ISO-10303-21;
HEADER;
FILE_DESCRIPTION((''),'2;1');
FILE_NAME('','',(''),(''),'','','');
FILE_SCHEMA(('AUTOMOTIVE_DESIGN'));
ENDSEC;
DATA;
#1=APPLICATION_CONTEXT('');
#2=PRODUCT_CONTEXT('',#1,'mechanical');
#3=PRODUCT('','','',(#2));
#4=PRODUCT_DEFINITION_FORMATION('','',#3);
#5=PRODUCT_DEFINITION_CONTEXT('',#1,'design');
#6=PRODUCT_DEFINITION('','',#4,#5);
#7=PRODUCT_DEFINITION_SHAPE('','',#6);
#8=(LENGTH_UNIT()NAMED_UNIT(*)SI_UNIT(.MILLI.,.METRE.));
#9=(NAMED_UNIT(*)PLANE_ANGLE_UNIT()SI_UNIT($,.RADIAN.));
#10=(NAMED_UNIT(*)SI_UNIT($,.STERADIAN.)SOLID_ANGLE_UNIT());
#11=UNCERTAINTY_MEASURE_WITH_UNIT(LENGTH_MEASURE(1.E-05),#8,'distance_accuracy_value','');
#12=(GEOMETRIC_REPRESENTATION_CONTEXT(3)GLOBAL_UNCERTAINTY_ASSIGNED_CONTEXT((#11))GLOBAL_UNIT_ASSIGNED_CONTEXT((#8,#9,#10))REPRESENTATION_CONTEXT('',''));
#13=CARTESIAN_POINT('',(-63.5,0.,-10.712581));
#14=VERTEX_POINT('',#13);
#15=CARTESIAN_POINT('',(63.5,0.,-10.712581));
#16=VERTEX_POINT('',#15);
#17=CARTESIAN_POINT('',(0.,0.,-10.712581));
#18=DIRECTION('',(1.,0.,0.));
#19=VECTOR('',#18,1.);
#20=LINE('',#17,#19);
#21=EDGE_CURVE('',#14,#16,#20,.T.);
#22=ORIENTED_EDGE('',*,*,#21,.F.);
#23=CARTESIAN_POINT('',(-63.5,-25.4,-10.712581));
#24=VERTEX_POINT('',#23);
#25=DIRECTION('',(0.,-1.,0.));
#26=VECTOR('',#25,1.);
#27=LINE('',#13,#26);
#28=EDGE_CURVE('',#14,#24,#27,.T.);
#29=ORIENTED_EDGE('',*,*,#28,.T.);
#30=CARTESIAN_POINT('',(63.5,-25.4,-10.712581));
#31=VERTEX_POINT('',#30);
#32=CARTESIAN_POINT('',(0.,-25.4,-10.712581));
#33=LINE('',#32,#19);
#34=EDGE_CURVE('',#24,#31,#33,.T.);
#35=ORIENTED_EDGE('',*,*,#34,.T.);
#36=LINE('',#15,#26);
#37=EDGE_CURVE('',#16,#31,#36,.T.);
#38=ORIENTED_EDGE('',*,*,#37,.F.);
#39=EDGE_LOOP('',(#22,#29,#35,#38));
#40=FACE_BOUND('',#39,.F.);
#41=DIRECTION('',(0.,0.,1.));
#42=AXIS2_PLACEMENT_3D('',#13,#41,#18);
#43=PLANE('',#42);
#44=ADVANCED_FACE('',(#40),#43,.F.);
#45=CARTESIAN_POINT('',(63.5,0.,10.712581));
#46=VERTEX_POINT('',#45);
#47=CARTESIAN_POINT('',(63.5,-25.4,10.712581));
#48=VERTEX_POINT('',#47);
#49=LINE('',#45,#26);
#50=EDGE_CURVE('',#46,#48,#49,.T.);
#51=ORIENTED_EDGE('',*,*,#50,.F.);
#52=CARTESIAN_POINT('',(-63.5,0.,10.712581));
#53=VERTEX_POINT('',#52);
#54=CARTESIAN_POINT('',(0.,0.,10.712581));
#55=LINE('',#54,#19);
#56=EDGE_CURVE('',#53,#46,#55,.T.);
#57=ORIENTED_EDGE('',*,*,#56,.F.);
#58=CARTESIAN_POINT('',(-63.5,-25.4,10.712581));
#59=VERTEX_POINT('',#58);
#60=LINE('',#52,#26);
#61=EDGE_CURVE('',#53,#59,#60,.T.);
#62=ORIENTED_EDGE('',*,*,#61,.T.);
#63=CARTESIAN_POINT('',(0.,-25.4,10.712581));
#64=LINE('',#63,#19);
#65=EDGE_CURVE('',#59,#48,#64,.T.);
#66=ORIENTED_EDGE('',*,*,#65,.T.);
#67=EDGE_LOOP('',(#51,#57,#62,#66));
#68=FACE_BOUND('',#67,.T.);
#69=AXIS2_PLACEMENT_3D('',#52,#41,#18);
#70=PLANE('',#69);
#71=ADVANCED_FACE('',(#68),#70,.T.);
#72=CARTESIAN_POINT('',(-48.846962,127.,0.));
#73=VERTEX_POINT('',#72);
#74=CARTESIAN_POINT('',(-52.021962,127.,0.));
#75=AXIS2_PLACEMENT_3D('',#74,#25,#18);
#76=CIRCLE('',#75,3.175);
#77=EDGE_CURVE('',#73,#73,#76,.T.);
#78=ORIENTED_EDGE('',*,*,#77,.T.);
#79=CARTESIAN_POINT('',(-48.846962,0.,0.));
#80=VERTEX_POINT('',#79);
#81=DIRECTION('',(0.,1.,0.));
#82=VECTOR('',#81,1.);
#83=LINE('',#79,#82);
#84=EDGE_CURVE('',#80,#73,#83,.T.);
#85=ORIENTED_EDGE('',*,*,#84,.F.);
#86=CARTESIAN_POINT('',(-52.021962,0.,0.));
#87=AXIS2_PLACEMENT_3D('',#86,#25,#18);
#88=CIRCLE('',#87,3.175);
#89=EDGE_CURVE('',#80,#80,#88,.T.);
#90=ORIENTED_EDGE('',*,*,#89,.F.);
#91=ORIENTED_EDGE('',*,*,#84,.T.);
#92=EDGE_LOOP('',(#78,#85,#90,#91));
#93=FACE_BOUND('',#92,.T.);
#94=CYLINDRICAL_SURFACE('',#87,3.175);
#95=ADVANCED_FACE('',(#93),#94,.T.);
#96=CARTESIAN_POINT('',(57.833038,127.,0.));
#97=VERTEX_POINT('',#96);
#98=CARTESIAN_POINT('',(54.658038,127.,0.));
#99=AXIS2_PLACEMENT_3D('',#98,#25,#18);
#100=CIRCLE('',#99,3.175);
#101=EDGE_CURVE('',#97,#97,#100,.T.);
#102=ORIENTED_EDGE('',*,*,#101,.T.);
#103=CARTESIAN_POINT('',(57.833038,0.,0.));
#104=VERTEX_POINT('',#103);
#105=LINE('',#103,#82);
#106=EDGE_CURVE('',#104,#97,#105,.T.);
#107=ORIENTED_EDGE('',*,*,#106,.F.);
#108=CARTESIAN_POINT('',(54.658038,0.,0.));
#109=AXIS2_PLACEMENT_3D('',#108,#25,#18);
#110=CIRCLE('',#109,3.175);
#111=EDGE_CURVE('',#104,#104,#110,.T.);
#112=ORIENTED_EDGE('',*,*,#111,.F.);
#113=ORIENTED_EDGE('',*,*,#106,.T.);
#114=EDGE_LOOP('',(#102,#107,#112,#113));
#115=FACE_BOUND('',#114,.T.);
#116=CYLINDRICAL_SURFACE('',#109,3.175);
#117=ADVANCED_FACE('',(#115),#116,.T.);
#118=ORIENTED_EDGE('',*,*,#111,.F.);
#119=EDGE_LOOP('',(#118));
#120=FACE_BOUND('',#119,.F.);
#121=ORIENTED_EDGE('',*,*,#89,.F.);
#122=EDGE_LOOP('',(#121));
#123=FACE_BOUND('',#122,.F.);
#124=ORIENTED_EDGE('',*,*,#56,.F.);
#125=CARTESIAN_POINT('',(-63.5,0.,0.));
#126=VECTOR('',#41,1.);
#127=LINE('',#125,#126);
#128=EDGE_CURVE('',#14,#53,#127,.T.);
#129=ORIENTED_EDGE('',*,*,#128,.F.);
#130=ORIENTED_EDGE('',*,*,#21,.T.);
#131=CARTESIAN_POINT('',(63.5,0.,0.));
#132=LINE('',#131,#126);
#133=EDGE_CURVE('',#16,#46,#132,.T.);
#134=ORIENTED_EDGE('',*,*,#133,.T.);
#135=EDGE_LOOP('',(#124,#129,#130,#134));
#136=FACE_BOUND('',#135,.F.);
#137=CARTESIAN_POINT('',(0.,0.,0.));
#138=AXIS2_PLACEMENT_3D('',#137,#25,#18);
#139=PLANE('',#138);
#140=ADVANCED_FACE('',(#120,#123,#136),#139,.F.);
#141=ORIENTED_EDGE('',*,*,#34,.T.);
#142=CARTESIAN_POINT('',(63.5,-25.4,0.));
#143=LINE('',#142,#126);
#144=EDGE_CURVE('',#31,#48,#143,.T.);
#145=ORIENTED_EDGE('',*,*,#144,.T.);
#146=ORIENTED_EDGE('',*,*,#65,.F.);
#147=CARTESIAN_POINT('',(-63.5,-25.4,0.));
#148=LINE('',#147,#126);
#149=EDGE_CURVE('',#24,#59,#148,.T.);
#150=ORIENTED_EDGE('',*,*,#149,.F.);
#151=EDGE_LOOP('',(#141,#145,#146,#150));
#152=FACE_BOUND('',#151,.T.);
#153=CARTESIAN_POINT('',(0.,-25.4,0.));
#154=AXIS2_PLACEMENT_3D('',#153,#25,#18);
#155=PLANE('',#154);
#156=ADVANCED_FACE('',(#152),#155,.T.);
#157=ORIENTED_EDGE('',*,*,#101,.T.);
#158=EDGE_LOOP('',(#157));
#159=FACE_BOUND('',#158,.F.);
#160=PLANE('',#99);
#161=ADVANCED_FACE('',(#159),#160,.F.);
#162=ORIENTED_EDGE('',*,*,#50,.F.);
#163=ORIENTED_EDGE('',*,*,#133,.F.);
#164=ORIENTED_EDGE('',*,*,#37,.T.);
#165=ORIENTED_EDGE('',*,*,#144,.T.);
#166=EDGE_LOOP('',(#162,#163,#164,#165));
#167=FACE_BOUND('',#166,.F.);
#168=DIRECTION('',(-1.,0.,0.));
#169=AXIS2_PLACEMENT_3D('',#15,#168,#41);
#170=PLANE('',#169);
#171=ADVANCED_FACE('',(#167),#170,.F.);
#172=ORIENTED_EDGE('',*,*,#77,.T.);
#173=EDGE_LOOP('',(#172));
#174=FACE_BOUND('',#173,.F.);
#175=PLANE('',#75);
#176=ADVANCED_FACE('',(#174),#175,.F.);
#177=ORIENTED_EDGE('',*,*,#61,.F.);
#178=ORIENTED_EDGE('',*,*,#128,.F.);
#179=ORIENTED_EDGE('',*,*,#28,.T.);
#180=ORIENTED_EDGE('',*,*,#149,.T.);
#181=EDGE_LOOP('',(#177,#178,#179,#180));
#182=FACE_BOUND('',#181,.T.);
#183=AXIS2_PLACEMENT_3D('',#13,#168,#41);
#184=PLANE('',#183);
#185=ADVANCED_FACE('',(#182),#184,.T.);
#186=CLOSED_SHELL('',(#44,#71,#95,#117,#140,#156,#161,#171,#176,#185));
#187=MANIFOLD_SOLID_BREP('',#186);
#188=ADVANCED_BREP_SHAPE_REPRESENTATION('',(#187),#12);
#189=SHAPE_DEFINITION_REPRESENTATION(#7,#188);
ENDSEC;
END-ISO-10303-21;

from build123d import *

# Parameters (mm, degrees)
F0_W     = 127
F0_H     = 21.425162
F1_DEPTH = 25.4
F2_R     = 3.175
F3_DEPTH = 127


with BuildPart() as f1:
    # F0 (on Front) → F1 (new body)
    with BuildSketch(Plane.XZ):
        Rectangle(F0_W, F0_H)
    extrude(amount=F1_DEPTH)

    # F2 (on face) → F3 (join)
    with BuildSketch(Plane.XZ):
        with Locations((54.658038, 0)):
            Circle(F2_R)
        with Locations((-52.021962, 0)):
            Circle(F2_R)
    extrude(amount=-F3_DEPTH)


solid = f1.part
